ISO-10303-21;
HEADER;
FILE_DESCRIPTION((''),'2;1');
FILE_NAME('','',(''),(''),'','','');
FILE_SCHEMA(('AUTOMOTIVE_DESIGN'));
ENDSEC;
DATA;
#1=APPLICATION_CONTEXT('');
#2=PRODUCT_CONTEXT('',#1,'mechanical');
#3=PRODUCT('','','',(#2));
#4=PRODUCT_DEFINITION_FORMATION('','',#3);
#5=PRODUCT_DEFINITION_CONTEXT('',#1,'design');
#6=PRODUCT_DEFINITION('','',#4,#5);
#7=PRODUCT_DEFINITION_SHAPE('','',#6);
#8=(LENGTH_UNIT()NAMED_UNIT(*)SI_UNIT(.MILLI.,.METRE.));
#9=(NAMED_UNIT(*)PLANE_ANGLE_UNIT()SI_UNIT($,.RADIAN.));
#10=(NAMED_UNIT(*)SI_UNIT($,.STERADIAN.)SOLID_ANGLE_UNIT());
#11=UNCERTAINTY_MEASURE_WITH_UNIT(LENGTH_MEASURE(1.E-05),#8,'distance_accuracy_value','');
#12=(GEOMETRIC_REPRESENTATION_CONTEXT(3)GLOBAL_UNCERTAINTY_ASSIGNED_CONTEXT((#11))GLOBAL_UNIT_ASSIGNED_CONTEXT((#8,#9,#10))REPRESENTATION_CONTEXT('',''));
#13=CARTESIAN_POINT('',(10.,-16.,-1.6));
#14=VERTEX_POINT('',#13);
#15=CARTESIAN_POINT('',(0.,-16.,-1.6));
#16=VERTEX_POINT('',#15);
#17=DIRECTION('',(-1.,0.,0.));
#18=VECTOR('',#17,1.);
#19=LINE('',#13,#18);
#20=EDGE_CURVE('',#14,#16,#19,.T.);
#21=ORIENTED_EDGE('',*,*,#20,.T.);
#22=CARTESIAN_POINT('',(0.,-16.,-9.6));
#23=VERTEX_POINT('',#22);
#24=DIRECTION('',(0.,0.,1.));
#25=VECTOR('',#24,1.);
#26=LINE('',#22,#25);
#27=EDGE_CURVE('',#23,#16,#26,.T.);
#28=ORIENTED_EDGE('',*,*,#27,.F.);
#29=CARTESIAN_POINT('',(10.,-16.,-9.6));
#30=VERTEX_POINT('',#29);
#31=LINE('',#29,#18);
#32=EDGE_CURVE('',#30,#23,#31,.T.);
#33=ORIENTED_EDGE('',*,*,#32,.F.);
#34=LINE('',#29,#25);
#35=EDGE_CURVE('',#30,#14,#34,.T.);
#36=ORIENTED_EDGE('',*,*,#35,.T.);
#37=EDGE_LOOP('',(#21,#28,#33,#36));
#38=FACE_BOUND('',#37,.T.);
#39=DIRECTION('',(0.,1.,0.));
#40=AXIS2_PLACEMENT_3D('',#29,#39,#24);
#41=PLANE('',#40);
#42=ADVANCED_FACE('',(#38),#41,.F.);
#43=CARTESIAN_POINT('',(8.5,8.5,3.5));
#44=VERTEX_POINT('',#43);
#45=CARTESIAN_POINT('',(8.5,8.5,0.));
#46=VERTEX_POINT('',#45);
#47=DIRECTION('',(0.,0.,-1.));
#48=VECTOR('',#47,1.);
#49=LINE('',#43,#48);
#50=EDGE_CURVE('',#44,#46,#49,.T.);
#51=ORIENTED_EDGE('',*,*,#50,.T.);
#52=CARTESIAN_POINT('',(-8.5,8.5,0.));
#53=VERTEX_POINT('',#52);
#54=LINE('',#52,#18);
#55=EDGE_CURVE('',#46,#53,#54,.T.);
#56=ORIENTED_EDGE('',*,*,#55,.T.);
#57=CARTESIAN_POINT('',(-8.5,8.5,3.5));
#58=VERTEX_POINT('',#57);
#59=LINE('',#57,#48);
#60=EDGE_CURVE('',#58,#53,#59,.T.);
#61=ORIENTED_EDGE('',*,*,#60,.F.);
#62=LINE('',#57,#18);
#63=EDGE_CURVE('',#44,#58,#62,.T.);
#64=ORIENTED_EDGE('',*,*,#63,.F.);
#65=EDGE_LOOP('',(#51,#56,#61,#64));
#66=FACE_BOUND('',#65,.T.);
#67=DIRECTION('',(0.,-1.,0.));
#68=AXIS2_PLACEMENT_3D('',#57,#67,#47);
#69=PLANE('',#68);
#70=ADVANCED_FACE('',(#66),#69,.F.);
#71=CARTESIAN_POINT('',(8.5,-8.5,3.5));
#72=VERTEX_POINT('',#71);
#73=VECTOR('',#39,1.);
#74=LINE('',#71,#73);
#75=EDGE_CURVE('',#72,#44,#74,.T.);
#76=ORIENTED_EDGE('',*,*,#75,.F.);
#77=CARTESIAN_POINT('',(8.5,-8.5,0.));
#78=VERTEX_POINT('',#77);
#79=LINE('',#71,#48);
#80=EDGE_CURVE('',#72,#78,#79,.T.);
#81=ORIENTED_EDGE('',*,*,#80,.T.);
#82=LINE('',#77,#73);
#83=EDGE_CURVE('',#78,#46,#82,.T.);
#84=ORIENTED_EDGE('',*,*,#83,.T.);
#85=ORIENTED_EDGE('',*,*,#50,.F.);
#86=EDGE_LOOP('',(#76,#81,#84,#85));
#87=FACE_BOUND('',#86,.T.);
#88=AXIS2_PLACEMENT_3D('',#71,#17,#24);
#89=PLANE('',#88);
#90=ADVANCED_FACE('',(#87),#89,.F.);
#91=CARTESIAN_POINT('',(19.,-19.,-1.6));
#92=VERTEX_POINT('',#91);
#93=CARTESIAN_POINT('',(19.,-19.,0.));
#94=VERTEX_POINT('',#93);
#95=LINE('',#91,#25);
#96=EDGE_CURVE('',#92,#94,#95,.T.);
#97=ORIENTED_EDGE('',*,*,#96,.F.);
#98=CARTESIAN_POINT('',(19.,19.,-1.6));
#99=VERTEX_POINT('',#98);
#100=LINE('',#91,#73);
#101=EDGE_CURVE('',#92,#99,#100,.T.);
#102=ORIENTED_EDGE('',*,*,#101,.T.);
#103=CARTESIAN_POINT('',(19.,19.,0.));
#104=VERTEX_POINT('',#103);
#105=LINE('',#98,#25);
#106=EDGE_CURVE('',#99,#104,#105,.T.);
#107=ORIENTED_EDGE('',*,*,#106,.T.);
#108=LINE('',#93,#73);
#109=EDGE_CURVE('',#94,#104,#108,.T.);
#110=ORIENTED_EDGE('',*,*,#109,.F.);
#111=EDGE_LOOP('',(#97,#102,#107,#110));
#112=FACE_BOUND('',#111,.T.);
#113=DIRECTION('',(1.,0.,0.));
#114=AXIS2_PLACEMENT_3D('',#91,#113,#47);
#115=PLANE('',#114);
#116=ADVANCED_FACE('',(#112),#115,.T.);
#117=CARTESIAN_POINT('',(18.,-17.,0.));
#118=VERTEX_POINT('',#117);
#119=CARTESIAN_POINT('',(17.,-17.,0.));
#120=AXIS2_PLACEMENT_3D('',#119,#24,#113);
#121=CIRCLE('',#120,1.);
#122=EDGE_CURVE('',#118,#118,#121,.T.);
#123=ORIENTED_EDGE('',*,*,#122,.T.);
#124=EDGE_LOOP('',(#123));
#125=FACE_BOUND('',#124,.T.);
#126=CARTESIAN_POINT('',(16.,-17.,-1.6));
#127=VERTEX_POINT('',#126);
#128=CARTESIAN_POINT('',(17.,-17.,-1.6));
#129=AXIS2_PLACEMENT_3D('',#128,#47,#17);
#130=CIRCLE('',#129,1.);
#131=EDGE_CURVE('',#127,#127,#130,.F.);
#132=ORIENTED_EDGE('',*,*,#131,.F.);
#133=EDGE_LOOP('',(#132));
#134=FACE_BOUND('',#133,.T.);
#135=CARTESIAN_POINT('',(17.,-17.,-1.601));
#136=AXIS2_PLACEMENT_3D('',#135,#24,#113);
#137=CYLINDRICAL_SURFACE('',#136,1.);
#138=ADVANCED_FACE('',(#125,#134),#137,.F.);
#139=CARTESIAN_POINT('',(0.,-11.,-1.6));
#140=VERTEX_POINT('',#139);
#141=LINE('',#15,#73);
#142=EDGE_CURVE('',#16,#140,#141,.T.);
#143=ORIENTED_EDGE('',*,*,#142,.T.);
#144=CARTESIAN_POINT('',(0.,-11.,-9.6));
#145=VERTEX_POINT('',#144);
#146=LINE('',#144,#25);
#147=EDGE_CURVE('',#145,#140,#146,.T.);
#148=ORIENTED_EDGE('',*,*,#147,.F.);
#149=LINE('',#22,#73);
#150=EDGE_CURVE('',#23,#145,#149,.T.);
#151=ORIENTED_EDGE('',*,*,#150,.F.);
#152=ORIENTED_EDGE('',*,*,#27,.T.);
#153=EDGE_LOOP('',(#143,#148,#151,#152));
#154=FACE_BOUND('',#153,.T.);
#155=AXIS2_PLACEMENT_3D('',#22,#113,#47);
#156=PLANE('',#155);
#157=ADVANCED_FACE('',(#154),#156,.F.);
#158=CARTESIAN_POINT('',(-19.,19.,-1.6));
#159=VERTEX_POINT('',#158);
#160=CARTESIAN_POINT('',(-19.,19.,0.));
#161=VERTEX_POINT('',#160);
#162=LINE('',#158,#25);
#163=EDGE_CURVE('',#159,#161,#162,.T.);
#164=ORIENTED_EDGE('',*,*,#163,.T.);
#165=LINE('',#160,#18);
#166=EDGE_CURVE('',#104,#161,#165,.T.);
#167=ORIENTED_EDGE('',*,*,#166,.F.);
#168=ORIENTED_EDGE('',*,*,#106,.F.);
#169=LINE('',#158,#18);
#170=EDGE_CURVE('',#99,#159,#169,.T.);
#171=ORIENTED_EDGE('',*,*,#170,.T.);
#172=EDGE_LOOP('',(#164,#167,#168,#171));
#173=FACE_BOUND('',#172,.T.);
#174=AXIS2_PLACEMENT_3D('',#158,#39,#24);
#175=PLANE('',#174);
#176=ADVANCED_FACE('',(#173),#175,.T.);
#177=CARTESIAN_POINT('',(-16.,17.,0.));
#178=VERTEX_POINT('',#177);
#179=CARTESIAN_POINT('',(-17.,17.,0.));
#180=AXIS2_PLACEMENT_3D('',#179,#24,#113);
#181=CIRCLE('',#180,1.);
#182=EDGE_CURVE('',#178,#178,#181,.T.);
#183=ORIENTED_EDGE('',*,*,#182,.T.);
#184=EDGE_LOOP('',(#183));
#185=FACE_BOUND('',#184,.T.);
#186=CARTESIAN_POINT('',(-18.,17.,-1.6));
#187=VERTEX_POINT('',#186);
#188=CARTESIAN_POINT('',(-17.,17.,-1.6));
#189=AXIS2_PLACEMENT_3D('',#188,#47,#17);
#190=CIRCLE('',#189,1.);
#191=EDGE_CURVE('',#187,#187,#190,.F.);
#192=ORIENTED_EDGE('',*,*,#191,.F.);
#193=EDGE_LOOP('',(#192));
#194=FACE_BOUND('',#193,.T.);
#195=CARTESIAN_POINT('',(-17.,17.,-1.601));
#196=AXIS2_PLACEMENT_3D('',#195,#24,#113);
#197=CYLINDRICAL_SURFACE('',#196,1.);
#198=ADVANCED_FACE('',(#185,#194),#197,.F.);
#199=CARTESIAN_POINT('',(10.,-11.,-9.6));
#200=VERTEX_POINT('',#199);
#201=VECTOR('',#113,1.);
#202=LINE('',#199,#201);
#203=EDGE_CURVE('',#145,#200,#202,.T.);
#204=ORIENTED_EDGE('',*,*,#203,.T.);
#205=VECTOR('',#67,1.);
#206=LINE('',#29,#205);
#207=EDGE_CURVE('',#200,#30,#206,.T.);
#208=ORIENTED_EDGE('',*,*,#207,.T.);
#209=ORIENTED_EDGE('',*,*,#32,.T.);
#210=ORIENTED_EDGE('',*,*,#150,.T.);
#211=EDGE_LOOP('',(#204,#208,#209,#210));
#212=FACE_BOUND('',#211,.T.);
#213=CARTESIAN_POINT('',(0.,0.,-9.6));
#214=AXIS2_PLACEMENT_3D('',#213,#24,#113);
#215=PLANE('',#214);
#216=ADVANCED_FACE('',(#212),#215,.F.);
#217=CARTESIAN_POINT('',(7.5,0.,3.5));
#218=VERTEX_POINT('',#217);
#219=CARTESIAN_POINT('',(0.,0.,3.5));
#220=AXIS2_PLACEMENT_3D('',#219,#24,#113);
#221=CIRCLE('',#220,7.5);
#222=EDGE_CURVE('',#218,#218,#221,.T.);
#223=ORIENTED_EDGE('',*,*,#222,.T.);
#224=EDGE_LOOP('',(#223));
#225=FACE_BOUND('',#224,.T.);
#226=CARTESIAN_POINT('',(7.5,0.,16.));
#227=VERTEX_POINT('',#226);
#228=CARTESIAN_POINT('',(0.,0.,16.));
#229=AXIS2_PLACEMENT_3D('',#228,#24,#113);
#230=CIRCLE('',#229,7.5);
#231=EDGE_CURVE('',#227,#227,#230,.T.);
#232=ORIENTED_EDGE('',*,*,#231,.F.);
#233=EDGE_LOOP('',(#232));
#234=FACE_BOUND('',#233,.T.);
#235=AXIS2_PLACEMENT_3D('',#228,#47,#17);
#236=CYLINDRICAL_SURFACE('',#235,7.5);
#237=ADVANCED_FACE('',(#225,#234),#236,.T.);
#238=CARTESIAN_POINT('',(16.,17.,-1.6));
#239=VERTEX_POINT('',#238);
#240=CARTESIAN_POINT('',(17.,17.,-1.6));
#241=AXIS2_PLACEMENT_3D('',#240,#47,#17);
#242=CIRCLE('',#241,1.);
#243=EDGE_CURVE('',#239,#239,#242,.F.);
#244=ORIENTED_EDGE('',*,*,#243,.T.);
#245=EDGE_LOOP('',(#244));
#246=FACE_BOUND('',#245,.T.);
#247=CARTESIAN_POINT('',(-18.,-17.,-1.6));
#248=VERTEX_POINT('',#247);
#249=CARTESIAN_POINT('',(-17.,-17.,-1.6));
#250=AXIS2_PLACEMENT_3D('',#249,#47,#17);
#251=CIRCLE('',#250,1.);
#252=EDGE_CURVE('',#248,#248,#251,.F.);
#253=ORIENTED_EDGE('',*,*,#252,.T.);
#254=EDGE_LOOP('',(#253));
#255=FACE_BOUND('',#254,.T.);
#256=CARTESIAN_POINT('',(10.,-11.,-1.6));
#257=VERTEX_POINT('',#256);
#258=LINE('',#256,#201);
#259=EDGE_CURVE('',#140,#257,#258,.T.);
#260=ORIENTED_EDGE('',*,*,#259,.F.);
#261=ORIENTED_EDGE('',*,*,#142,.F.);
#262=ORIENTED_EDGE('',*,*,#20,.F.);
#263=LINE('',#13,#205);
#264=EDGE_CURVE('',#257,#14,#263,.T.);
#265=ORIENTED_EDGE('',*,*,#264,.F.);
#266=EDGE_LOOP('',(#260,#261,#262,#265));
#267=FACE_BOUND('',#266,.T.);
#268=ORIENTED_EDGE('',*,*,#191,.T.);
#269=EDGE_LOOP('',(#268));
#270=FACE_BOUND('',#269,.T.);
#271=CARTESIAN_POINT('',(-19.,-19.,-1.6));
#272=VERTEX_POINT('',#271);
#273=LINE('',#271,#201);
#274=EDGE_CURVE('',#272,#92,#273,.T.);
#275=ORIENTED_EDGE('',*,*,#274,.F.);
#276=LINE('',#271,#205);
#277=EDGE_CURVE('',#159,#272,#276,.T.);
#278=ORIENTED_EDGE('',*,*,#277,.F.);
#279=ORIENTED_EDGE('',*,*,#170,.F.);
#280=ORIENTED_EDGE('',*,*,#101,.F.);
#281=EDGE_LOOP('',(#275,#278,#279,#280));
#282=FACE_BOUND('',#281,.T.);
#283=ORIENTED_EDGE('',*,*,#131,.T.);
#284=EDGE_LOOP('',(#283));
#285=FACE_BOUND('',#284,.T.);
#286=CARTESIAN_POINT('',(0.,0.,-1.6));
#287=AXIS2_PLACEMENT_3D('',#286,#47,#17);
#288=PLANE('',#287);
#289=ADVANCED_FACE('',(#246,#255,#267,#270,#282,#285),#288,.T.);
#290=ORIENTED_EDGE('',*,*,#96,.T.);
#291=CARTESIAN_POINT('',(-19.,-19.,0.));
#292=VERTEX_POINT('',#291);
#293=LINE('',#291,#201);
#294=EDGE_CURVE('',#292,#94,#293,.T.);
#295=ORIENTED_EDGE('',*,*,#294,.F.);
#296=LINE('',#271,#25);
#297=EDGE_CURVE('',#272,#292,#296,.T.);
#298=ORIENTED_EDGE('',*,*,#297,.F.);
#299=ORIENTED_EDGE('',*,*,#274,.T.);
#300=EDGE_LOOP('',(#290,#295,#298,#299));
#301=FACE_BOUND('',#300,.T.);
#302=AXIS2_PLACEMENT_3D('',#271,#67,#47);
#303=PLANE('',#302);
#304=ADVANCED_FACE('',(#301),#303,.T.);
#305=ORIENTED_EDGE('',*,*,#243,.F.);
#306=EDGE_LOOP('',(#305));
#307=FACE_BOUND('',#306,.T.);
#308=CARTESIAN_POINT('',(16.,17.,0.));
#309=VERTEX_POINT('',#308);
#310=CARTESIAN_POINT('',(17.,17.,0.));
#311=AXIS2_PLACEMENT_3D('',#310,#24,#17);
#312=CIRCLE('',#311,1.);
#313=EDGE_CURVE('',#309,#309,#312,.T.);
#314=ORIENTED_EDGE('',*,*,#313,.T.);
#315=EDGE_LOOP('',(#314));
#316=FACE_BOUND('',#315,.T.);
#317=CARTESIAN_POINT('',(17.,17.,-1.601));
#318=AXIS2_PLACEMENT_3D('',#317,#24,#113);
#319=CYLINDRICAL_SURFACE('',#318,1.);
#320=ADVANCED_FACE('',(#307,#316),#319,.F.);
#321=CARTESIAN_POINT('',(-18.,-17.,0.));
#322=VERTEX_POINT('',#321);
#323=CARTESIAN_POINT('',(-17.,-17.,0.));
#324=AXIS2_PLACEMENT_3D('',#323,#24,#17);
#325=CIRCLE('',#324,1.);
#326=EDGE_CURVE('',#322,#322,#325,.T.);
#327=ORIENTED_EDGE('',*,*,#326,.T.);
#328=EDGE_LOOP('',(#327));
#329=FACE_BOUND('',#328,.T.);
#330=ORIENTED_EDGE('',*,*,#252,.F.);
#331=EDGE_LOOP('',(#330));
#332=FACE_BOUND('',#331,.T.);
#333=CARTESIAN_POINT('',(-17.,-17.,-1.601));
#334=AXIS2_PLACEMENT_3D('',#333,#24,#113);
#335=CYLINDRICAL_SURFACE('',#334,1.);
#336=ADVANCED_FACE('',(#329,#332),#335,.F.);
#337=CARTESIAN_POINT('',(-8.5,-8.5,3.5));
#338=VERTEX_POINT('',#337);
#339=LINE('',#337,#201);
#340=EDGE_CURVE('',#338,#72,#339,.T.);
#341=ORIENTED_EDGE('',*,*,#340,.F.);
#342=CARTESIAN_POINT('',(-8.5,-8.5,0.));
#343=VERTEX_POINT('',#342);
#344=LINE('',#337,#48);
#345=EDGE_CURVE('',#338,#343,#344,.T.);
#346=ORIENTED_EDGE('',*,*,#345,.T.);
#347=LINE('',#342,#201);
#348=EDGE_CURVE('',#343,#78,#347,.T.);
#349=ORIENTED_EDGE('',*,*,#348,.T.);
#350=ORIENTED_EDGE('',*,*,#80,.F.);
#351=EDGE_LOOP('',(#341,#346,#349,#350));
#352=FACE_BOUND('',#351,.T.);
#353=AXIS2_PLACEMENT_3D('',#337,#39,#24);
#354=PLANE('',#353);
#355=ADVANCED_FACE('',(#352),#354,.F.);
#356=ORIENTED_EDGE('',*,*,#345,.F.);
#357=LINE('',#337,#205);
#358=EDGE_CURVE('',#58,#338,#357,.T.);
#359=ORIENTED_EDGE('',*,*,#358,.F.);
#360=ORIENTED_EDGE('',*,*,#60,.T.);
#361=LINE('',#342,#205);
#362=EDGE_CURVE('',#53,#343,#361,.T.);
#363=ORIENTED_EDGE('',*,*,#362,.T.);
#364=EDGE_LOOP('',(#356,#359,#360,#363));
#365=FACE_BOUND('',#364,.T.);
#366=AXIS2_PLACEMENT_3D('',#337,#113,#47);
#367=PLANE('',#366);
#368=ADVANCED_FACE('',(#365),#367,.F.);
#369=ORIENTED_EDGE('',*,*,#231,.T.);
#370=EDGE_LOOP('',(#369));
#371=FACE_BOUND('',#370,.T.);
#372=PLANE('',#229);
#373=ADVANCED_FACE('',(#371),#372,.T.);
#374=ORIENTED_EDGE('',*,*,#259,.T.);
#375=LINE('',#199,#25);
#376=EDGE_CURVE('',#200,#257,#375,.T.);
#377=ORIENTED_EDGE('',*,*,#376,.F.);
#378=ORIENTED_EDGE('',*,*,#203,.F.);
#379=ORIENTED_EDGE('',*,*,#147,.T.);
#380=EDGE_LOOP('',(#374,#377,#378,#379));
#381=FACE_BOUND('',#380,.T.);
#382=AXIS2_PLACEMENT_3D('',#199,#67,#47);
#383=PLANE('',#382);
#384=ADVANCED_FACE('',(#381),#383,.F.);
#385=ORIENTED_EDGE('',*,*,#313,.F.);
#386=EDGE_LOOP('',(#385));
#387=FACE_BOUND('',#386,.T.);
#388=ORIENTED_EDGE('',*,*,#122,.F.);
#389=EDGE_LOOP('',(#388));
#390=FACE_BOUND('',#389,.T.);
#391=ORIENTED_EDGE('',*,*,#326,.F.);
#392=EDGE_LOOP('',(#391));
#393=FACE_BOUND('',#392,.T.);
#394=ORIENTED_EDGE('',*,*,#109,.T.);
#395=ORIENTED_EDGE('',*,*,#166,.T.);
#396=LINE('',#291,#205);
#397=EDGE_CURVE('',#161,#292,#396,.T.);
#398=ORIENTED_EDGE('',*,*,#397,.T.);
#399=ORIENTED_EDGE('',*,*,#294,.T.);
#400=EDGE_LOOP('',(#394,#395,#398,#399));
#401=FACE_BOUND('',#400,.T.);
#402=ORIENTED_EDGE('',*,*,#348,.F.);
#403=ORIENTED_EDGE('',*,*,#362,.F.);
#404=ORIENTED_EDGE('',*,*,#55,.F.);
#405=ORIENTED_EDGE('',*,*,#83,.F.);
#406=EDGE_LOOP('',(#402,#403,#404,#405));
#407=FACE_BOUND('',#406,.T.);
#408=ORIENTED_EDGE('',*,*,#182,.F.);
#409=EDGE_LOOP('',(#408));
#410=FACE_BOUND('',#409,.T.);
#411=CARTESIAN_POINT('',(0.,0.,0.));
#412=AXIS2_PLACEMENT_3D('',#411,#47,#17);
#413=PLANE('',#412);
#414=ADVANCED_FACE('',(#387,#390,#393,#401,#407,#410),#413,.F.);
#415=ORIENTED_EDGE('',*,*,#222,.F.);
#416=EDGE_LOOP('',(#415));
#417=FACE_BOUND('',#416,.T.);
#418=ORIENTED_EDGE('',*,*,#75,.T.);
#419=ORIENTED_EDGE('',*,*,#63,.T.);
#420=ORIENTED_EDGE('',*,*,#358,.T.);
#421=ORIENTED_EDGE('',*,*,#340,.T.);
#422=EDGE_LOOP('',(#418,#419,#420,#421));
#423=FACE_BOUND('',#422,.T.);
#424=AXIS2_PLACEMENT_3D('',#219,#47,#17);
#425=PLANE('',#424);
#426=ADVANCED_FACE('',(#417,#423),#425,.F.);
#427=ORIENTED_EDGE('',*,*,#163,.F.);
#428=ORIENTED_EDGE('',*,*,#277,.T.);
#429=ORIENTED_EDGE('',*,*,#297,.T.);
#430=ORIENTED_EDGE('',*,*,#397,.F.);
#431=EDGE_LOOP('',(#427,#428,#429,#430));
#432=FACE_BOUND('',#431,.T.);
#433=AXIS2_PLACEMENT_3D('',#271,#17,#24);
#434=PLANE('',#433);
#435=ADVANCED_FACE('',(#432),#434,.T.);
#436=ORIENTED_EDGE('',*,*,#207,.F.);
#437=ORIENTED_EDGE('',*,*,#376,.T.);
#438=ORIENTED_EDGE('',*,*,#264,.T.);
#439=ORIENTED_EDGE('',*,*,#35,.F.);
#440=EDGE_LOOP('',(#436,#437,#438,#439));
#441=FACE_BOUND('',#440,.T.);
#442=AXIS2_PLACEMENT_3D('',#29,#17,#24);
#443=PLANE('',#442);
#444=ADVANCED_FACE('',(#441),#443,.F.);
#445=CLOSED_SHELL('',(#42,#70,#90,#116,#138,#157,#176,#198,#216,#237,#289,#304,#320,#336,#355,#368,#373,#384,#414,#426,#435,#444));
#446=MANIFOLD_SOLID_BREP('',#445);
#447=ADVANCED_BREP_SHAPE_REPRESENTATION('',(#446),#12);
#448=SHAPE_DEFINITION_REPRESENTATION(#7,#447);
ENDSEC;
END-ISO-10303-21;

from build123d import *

# Parameters (mm, degrees)
SKETCH1_W           = 38
SKETCH1_H           = 38
BOSS_EXTRUDE1_DEPTH = 1.6
SKETCH2_W           = 17
SKETCH2_H           = 17
BOSS_EXTRUDE2_DEPTH = 3.5
SKETCH3_R           = 7.5
BOSS_EXTRUDE3_DEPTH = 12.5
CUT_EXTRUDE1_REACH  = 3.6
SKETCH4_R           = 1
SKETCH5_W           = 10
SKETCH5_H           = 5
BOSS_EXTRUDE4_DEPTH = 8


with BuildPart() as part:
    # Sketch1 → Boss-Extrude1 (new body)
    with BuildSketch(Plane.XY):
        Rectangle(SKETCH1_W, SKETCH1_H)
    extrude(amount=-BOSS_EXTRUDE1_DEPTH)

    # Sketch2 → Boss-Extrude2 (add)
    with BuildSketch(Plane.XY):
        Rectangle(SKETCH2_W, SKETCH2_H)
    extrude(amount=BOSS_EXTRUDE2_DEPTH)

    # Sketch3 → Boss-Extrude3 (add)
    with BuildSketch(Plane.XY.offset(3.5)):
        Circle(SKETCH3_R)
    extrude(amount=BOSS_EXTRUDE3_DEPTH)

    # Sketch4 → Cut-Extrude1 (cut, up to next)
    with BuildSketch(Plane.XY, mode=Mode.PRIVATE) as cut_extrude1_sk1:
        with Locations((-17, 17)):
            Circle(SKETCH4_R)
    cut_extrude1_tool1 = extrude(cut_extrude1_sk1.sketch, amount=-CUT_EXTRUDE1_REACH, mode=Mode.PRIVATE) & part.part
    add(cut_extrude1_tool1.solids().sort_by_distance((-17, 17, 0))[0], mode=Mode.SUBTRACT)
    # Sketch4 → Cut-Extrude1 (cut, up to next)
    with BuildSketch(Plane.XY, mode=Mode.PRIVATE) as cut_extrude1_sk2:
        with Locations((17, 17)):
            Circle(SKETCH4_R)
    cut_extrude1_tool2 = extrude(cut_extrude1_sk2.sketch, amount=-CUT_EXTRUDE1_REACH, mode=Mode.PRIVATE) & part.part
    add(cut_extrude1_tool2.solids().sort_by_distance((17, 17, 0))[0], mode=Mode.SUBTRACT)
    # Sketch4 → Cut-Extrude1 (cut, up to next)
    with BuildSketch(Plane.XY, mode=Mode.PRIVATE) as cut_extrude1_sk3:
        with Locations((-17, -17)):
            Circle(SKETCH4_R)
    cut_extrude1_tool3 = extrude(cut_extrude1_sk3.sketch, amount=-CUT_EXTRUDE1_REACH, mode=Mode.PRIVATE) & part.part
    add(cut_extrude1_tool3.solids().sort_by_distance((-17, -17, 0))[0], mode=Mode.SUBTRACT)
    # Sketch4 → Cut-Extrude1 (cut, up to next)
    with BuildSketch(Plane.XY, mode=Mode.PRIVATE) as cut_extrude1_sk4:
        with Locations((17, -17)):
            Circle(SKETCH4_R)
    cut_extrude1_tool4 = extrude(cut_extrude1_sk4.sketch, amount=-CUT_EXTRUDE1_REACH, mode=Mode.PRIVATE) & part.part
    add(cut_extrude1_tool4.solids().sort_by_distance((17, -17, 0))[0], mode=Mode.SUBTRACT)

    # Sketch5 → Boss-Extrude4 (add)
    with BuildSketch(Plane(origin=(0, 0, -1.6), x_dir=(-1, 0, 0), z_dir=(0, 0, -1))):
        with Locations((-5, -13.5)):
            Rectangle(SKETCH5_W, SKETCH5_H)
    extrude(amount=BOSS_EXTRUDE4_DEPTH)


solid = part.part
